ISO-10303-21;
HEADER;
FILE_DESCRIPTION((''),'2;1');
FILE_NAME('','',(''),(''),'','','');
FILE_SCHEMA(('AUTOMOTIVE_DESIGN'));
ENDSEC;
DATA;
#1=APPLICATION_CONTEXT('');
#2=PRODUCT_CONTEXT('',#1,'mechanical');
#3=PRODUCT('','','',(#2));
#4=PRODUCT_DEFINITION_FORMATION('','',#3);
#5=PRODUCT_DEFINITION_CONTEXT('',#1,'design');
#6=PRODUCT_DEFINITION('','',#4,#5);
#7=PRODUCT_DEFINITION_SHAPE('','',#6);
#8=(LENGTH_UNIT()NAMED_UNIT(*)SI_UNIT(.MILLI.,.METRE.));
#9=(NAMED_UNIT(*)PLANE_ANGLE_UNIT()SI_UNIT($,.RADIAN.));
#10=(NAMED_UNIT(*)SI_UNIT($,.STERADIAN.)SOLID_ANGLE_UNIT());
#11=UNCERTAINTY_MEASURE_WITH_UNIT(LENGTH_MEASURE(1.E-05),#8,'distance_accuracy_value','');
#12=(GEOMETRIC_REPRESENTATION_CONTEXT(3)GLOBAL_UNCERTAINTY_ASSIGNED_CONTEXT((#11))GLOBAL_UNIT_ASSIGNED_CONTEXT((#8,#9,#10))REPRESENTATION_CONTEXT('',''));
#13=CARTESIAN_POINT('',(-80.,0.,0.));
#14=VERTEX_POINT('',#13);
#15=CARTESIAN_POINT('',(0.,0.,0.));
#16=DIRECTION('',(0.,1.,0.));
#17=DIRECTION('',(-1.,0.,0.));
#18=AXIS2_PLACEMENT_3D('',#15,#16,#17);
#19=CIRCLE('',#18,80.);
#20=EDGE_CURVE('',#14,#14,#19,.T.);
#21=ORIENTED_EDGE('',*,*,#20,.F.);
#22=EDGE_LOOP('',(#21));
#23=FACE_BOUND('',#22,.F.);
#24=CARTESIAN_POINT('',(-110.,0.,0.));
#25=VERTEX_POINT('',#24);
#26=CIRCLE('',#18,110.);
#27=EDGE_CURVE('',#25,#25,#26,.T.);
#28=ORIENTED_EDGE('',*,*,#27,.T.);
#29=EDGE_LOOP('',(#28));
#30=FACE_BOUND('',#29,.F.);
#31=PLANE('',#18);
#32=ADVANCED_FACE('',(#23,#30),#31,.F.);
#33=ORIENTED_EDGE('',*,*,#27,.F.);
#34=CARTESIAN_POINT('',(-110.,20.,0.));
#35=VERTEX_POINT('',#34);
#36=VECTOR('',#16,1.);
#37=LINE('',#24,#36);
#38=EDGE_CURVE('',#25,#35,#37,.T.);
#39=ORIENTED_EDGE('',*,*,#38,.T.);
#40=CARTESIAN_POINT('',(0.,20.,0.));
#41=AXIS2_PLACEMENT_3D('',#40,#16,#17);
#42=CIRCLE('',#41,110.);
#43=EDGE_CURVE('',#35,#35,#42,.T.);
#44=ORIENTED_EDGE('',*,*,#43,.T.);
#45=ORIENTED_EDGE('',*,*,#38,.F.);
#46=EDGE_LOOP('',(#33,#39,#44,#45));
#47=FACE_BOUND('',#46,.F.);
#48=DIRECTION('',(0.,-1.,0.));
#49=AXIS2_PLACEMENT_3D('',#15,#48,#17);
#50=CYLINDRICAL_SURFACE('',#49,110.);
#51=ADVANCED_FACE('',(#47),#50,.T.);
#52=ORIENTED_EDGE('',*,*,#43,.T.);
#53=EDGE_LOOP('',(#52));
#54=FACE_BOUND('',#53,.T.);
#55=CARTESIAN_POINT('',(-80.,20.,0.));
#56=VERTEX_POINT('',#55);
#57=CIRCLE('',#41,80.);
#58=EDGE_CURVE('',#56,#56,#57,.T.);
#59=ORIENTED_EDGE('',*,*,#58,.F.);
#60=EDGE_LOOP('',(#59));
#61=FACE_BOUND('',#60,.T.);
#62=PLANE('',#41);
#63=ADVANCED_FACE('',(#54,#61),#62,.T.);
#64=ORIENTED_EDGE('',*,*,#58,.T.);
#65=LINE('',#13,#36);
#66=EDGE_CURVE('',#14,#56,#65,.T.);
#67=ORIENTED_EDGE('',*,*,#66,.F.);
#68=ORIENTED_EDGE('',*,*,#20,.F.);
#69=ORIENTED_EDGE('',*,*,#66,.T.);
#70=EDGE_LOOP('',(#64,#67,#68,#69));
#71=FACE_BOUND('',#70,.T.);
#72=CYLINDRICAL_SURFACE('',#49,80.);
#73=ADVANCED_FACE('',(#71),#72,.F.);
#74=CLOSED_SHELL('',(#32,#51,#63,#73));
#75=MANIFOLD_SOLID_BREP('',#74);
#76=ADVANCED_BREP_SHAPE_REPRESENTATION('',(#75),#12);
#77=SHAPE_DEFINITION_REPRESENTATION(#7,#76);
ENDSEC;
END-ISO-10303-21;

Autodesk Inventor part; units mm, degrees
ref_plane "YZ Plane" through (0, 0, 0) normal (1, 0, 0) x (0, 1, 0)
ref_plane "XZ Plane" through (0, 0, 0) normal (0, 1, 0) x (-1, 0, 0)
ref_plane "XY Plane" through (0, 0, 0) normal (0, 0, 1) x (1, 0, 0)
sketch "Sketch1" plane through (0, 0, 0) normal (0, 1, 0) x (-1, 0, 0)
  circle A0 centre (0, 0) radius 80
  circle A1 centre (0, 0) radius 110
  dimension "d0" = 160
  dimension "d1" = 220
extrude "Extrusion1" add sketch "Sketch1" along normal blind 20
sketch "Sketch2" plane through (0, 0, 0) normal (0, 0, 1) x (1, 0, 0)
  line L0 (110, 20) -> (-110, 20)
  line L1 (110, 0) -> (-110, 0)
  line L2 (-75, 20) -> (-75, 0)
  line L3 (75, 20) -> (75, 0)
  line L4 (-110, 0) -> (-110, 20)
  line L5 (110, 0) -> (110, 20)
  line L6 (-75, 20) -> (-75, 17.5)
  line L7 (-75, 17.5) -> (-110, 17.5)
  line L8 (75, 0) -> (75, 2.5)
  line L9 (75, 2.5) -> (-75, 17.5)
  dimension "d6" = 2.5
  dimension "d7" = 2.5
properties part number "outerspinner"
